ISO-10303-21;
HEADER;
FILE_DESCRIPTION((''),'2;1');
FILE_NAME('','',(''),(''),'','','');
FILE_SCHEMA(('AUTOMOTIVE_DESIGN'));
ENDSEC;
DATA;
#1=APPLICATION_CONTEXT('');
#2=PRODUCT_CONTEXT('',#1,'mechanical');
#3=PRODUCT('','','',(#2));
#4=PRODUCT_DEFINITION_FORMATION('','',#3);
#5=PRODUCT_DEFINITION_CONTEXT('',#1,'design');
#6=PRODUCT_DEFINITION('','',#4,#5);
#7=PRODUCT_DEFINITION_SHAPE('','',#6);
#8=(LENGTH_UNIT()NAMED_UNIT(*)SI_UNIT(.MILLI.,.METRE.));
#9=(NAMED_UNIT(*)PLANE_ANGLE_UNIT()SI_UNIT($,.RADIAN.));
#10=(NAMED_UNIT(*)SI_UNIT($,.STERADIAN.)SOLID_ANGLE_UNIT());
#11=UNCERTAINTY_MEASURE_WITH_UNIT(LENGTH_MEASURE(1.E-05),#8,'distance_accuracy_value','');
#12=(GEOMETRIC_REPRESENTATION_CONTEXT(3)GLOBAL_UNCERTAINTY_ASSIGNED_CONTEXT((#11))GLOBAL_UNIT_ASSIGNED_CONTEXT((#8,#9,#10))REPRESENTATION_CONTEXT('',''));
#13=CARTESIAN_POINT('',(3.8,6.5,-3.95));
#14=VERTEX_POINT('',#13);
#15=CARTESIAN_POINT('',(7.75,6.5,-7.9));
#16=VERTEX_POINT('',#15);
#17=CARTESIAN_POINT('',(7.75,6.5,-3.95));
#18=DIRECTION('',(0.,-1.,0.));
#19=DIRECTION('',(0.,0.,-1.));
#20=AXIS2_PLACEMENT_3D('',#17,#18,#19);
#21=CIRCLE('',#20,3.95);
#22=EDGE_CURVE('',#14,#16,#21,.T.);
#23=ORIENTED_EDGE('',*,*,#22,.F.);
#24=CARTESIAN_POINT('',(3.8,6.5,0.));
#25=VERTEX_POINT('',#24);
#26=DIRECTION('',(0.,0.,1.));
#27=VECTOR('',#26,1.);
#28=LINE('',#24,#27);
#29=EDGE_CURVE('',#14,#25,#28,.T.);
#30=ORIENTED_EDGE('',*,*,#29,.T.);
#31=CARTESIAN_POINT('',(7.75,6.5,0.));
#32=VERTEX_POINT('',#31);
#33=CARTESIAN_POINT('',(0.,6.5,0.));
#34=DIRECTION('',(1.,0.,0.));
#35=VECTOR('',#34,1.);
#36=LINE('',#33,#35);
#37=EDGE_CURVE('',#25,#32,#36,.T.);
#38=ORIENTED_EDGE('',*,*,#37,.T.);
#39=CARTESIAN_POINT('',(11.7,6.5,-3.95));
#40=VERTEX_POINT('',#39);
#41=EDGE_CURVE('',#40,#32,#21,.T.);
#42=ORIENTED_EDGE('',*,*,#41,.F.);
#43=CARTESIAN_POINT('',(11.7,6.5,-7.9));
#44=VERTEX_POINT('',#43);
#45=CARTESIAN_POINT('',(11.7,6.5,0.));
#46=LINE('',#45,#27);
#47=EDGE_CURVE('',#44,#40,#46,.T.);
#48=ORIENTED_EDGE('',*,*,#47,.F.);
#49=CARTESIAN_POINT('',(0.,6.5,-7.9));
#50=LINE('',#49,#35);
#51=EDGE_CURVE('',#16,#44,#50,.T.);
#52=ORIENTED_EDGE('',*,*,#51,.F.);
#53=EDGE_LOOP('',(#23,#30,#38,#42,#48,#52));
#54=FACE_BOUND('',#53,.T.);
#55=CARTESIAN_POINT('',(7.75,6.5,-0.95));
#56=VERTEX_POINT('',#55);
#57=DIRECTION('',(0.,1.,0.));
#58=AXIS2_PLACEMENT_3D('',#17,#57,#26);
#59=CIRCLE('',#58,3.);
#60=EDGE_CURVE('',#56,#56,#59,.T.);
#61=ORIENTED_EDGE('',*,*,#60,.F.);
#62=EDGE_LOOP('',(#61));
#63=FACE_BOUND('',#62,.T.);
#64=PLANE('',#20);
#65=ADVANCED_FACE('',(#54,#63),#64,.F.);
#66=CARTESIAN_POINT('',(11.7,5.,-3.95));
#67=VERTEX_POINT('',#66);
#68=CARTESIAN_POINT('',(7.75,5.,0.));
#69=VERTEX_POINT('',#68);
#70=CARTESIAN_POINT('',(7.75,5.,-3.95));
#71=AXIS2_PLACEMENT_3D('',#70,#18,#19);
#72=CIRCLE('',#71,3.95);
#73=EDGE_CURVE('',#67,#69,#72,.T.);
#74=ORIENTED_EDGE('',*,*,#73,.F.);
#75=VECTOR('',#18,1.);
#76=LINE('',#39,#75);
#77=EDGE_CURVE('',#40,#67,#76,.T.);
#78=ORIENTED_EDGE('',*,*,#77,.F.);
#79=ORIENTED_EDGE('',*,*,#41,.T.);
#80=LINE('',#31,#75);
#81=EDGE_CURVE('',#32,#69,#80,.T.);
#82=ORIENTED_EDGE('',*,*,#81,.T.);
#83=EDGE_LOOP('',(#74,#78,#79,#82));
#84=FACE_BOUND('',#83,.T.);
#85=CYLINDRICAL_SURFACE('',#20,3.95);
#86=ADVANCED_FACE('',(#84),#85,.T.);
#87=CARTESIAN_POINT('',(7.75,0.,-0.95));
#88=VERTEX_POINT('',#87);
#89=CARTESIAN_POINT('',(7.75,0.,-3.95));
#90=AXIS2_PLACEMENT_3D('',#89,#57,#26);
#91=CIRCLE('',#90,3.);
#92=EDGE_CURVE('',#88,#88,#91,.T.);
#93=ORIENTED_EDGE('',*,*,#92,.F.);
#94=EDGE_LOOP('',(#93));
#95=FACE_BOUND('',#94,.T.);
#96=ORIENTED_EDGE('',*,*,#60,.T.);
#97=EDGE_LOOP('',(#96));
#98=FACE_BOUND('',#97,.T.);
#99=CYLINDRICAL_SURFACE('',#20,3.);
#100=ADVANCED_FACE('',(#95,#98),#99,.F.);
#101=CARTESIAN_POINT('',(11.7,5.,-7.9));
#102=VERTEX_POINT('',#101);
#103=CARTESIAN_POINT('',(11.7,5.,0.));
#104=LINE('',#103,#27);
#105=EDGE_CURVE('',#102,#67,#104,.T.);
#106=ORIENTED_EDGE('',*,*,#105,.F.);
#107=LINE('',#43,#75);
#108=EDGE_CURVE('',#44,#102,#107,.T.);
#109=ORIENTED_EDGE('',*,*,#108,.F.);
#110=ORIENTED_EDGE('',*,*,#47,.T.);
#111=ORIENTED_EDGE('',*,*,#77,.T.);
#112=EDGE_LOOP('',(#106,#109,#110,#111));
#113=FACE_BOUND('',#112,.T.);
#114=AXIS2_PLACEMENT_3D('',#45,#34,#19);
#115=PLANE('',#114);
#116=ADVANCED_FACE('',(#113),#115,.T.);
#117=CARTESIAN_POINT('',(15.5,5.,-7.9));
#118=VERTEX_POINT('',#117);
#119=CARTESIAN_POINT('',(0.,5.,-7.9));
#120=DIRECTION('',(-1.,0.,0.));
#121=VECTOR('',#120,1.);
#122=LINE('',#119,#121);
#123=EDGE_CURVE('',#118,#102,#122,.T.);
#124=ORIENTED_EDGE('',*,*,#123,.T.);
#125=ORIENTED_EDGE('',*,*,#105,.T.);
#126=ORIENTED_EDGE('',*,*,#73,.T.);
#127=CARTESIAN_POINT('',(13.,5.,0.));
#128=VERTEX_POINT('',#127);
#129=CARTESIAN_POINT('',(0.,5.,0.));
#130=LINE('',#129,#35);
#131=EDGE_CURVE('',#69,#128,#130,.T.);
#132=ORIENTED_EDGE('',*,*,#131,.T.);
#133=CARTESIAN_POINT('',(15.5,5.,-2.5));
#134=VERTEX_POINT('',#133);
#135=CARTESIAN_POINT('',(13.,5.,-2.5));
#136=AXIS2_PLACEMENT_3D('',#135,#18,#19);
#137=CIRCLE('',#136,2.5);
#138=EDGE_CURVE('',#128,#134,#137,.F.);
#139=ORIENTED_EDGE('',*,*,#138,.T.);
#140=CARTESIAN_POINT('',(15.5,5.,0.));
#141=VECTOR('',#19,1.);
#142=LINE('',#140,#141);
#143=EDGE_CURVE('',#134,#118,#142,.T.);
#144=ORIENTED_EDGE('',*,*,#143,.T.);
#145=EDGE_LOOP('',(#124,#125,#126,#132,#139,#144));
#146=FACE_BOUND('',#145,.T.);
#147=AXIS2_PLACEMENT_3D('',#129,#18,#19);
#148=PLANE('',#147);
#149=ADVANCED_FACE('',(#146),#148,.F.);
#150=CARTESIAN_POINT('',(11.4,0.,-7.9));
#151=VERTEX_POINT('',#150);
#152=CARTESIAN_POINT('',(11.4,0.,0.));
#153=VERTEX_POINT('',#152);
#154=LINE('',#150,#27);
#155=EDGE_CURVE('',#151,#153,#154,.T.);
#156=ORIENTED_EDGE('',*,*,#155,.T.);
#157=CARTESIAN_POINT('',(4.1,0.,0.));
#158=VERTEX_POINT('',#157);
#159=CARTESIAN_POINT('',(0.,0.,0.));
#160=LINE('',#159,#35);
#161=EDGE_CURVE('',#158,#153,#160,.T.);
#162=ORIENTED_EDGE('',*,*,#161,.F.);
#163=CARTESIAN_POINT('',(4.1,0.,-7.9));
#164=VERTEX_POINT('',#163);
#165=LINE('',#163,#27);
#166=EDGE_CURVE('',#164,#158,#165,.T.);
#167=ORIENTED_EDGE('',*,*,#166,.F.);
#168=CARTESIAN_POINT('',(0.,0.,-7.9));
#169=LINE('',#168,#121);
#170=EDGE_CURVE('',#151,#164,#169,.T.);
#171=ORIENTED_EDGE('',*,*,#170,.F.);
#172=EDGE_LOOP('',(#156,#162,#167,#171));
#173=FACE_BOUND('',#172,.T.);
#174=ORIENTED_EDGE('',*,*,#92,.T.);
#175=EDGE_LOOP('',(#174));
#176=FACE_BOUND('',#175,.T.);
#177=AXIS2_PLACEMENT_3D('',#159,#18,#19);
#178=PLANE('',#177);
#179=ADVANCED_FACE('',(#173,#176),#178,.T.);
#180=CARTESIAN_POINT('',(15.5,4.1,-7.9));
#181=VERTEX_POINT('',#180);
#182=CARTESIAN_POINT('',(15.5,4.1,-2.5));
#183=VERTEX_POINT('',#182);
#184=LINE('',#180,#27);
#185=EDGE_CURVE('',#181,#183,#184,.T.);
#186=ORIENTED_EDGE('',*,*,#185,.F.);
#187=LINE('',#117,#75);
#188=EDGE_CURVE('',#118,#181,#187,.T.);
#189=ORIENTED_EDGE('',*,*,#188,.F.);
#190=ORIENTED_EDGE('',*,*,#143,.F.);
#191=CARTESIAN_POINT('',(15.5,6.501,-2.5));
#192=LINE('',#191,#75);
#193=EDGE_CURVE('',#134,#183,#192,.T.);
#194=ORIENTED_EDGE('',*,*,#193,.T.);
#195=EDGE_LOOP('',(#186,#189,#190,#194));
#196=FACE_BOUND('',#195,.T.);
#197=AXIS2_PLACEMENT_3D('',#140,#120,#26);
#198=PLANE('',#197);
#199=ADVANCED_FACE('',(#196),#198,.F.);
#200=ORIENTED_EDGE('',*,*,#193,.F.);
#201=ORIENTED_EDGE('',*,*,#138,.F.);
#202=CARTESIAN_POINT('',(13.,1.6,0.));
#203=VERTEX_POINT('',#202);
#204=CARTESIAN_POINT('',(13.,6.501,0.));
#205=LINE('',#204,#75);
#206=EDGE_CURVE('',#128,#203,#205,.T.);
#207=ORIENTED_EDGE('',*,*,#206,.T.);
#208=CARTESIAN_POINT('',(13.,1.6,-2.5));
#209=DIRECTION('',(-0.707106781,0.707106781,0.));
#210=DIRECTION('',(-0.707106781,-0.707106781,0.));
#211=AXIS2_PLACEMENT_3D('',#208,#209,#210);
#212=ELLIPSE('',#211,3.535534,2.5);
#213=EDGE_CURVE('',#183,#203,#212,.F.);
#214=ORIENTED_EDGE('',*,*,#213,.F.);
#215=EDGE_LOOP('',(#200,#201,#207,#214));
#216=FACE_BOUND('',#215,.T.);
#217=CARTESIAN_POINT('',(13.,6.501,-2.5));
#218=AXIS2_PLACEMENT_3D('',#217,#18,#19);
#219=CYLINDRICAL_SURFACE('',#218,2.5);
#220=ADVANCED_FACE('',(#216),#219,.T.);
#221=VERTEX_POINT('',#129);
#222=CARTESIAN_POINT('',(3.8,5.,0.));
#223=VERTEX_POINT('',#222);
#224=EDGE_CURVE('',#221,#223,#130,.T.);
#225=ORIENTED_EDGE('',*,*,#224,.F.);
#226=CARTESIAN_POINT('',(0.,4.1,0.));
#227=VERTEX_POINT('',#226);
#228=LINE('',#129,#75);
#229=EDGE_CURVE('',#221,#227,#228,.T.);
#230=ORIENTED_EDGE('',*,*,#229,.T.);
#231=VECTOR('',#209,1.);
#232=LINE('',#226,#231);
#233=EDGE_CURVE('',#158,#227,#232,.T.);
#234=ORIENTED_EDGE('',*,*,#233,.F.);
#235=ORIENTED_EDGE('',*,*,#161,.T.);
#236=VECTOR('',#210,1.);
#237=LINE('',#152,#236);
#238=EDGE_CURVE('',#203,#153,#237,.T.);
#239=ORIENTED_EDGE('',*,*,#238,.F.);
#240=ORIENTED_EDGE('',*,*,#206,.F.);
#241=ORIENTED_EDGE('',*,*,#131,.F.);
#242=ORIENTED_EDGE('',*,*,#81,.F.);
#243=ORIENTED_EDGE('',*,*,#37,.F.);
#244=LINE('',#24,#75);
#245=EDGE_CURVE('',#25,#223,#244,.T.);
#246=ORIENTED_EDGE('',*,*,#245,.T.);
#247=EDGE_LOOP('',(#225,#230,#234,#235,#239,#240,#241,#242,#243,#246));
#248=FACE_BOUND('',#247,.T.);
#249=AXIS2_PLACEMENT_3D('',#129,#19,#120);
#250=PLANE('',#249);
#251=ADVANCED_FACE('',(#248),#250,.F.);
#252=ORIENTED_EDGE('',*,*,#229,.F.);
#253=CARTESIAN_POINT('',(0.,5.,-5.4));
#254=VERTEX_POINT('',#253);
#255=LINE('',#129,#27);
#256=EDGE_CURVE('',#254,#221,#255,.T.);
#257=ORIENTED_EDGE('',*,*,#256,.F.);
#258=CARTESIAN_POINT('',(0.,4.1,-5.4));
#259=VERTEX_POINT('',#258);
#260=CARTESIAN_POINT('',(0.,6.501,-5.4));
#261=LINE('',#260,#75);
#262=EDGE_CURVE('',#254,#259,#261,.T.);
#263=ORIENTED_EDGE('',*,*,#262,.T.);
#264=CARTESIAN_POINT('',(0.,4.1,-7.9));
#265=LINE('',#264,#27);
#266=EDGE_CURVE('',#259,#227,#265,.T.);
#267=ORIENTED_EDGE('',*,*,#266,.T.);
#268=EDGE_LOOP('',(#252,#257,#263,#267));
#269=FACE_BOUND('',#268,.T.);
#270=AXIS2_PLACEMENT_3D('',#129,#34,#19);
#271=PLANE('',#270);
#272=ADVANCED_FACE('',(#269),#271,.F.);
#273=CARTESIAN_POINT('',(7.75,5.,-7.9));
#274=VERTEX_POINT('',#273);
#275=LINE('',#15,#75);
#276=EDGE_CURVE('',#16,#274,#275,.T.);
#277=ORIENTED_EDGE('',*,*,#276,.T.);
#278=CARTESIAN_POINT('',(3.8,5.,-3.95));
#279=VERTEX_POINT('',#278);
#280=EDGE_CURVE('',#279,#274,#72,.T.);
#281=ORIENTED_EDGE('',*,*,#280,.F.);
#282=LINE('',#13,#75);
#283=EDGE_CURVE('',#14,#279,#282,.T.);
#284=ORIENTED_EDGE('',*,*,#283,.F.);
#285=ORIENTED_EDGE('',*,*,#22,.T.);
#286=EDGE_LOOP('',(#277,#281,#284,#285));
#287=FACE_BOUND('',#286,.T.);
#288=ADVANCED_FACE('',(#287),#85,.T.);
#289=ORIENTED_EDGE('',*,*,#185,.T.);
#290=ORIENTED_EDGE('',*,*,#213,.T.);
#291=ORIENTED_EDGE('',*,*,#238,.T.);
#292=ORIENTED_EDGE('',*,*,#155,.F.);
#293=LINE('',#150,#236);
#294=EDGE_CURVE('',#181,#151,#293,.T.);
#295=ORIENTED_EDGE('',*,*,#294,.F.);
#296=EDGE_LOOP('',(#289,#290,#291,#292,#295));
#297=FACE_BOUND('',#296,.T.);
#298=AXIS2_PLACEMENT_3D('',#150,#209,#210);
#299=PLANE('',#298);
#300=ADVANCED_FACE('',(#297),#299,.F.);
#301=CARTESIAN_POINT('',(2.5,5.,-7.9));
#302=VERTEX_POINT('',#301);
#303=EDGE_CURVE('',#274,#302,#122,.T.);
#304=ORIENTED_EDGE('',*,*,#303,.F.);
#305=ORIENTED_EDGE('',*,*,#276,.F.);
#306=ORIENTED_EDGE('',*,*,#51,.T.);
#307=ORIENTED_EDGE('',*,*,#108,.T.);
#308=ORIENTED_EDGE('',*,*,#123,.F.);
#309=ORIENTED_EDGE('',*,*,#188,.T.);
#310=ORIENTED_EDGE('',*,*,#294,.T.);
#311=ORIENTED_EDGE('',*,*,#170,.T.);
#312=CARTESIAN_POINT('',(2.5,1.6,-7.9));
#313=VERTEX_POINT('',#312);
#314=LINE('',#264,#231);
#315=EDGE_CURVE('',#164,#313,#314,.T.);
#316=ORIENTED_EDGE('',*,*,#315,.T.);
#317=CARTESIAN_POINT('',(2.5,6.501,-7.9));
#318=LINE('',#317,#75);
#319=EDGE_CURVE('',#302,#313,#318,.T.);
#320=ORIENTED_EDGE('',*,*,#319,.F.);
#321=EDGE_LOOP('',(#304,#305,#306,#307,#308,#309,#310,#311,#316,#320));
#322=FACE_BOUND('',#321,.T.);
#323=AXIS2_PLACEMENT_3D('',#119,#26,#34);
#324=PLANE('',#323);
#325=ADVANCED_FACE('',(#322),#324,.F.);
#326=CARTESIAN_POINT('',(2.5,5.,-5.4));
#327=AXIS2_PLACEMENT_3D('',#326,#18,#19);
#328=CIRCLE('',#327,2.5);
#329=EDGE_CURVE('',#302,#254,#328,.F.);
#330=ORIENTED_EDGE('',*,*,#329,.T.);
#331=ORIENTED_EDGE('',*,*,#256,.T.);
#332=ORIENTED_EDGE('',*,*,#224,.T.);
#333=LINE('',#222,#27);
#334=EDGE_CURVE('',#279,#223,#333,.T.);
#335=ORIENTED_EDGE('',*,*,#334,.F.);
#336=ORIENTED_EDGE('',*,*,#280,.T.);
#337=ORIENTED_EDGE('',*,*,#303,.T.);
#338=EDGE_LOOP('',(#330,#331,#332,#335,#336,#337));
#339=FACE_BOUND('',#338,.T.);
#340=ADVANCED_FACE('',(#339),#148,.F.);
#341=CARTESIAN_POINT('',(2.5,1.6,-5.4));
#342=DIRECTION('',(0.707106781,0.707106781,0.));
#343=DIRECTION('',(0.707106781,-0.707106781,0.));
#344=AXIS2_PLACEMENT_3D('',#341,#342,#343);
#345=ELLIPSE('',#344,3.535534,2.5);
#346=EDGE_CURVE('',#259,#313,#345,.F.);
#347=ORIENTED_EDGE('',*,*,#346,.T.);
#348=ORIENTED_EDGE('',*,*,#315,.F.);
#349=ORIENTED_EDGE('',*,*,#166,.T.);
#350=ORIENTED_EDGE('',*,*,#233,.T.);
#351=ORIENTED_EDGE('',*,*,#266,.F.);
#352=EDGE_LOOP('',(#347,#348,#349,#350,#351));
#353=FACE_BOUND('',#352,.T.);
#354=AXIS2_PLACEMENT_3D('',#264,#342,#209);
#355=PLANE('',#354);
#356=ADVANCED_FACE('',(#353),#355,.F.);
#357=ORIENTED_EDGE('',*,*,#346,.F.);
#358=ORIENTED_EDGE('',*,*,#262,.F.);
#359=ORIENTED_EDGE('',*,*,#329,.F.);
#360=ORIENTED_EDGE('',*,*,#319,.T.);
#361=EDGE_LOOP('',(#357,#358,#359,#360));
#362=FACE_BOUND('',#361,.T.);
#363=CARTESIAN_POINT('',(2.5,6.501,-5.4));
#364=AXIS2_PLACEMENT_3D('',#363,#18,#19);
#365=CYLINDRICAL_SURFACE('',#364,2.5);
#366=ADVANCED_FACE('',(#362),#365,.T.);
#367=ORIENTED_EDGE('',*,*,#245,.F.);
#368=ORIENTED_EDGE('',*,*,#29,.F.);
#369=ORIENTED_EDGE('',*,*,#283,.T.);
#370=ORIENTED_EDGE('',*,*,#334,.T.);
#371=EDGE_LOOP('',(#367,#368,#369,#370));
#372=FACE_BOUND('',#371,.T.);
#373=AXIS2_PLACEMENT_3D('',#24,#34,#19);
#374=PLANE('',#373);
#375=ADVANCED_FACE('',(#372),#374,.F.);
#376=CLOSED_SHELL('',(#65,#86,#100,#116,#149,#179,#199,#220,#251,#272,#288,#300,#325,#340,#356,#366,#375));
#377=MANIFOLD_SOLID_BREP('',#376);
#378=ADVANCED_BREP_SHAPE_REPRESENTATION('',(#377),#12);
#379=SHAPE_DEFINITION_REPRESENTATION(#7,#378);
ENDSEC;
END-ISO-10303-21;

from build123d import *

# Parameters (mm, degrees)
SKETCH_1_W          = 15.5
SKETCH_1_H          = 7.9
EXTRUDE_1_DEPTH     = 5
EXTRUDE_START       = 5
EXTRUDE_2_DEPTH     = 1.5
CUT_EXTRUDE_2_DEPTH = 19.571752744
CUT_EXTRUDE_3_REACH = 20.572
SKETCH_2_5_R        = 3
CUT_EXTRUDE_4_DEPTH = 19.571752744


with BuildPart() as part:
    # 草图1 → 凸台-拉伸1 (new body)
    with BuildSketch(Plane(origin=(0, 0, 0), x_dir=(1, 0, 0), z_dir=(0, 1, 0))):
        with Locations((7.75, 3.95)):
            Rectangle(SKETCH_1_W, SKETCH_1_H)
    extrude(amount=EXTRUDE_1_DEPTH)

    # 草图2 → 凸台-拉伸2 (add)
    with BuildSketch(Plane(origin=(0, 0, 0), x_dir=(1, 0, 0), z_dir=(0, 1, 0)).offset(EXTRUDE_START)):
        with BuildLine():
            Line((3.8, 3.95), (3.8, 0))
            Line((3.8, 0), (7.75, 0))
            ThreePointArc((7.75, 0), (10.543071786, 1.156928214), (11.7, 3.95))
            Line((11.7, 3.95), (11.7, 7.9))
            Line((11.7, 7.9), (7.75, 7.9))
            ThreePointArc((7.75, 7.9), (4.956928214, 6.743071786), (3.8, 3.95))
        make_face()
    extrude(amount=EXTRUDE_2_DEPTH)

    # 草图3 → 切除-拉伸2 (cut, through all)
    with BuildSketch(Plane.XY):
        Polygon((0, 4.1), (4.1, 0), (0, 0), align=None)
        Polygon((11.4, 0), (15.5, 4.1), (15.5, 0), align=None)
    extrude(amount=-CUT_EXTRUDE_2_DEPTH, mode=Mode.SUBTRACT)

    # 草图4 → 切除-拉伸3 (cut, up to next)
    with BuildSketch(Plane(origin=(0, 0, 0), x_dir=(1, 0, 0), z_dir=(0, 1, 0)), mode=Mode.PRIVATE) as cut_extrude_3_sk1:
        with BuildLine():
            Line((2.5, 7.9), (0, 7.9))
            Line((0, 7.9), (0, 5.4))
            ThreePointArc((0, 5.4), (0.732233047, 7.167766953), (2.5, 7.9))
        make_face()
    cut_extrude_3_tool1 = extrude(cut_extrude_3_sk1.sketch, amount=CUT_EXTRUDE_3_REACH, mode=Mode.PRIVATE) & part.part
    # 草图4 → 切除-拉伸3 (cut, up to next)
    with BuildSketch(Plane(origin=(0, 0, 0), x_dir=(1, 0, 0), z_dir=(0, 1, 0)), mode=Mode.PRIVATE) as cut_extrude_3_sk2:
        with BuildLine():
            Line((13, 0), (15.5, 0))
            Line((15.5, 0), (15.5, 2.5))
            ThreePointArc((15.5, 2.5), (14.767766953, 0.732233047), (13, 0))
        make_face()
    cut_extrude_3_tool2 = extrude(cut_extrude_3_sk2.sketch, amount=CUT_EXTRUDE_3_REACH, mode=Mode.PRIVATE) & part.part
    add(cut_extrude_3_tool1.solids().sort_by_distance((0.55842, 0, -7.34158))[0], mode=Mode.SUBTRACT)
    add(cut_extrude_3_tool2.solids().sort_by_distance((14.94158, 0, -0.55842))[0], mode=Mode.SUBTRACT)

    # 草图2<5> → 切除-拉伸4 (cut, through all)
    with BuildSketch(Plane(origin=(0, 0, 0), x_dir=(1, 0, 0), z_dir=(0, 1, 0))):
        with Locations(Location((7.75, 3.95, 0), (0, 0, 270))):
            Circle(SKETCH_2_5_R)
    extrude(amount=CUT_EXTRUDE_4_DEPTH, mode=Mode.SUBTRACT)


solid = part.part
